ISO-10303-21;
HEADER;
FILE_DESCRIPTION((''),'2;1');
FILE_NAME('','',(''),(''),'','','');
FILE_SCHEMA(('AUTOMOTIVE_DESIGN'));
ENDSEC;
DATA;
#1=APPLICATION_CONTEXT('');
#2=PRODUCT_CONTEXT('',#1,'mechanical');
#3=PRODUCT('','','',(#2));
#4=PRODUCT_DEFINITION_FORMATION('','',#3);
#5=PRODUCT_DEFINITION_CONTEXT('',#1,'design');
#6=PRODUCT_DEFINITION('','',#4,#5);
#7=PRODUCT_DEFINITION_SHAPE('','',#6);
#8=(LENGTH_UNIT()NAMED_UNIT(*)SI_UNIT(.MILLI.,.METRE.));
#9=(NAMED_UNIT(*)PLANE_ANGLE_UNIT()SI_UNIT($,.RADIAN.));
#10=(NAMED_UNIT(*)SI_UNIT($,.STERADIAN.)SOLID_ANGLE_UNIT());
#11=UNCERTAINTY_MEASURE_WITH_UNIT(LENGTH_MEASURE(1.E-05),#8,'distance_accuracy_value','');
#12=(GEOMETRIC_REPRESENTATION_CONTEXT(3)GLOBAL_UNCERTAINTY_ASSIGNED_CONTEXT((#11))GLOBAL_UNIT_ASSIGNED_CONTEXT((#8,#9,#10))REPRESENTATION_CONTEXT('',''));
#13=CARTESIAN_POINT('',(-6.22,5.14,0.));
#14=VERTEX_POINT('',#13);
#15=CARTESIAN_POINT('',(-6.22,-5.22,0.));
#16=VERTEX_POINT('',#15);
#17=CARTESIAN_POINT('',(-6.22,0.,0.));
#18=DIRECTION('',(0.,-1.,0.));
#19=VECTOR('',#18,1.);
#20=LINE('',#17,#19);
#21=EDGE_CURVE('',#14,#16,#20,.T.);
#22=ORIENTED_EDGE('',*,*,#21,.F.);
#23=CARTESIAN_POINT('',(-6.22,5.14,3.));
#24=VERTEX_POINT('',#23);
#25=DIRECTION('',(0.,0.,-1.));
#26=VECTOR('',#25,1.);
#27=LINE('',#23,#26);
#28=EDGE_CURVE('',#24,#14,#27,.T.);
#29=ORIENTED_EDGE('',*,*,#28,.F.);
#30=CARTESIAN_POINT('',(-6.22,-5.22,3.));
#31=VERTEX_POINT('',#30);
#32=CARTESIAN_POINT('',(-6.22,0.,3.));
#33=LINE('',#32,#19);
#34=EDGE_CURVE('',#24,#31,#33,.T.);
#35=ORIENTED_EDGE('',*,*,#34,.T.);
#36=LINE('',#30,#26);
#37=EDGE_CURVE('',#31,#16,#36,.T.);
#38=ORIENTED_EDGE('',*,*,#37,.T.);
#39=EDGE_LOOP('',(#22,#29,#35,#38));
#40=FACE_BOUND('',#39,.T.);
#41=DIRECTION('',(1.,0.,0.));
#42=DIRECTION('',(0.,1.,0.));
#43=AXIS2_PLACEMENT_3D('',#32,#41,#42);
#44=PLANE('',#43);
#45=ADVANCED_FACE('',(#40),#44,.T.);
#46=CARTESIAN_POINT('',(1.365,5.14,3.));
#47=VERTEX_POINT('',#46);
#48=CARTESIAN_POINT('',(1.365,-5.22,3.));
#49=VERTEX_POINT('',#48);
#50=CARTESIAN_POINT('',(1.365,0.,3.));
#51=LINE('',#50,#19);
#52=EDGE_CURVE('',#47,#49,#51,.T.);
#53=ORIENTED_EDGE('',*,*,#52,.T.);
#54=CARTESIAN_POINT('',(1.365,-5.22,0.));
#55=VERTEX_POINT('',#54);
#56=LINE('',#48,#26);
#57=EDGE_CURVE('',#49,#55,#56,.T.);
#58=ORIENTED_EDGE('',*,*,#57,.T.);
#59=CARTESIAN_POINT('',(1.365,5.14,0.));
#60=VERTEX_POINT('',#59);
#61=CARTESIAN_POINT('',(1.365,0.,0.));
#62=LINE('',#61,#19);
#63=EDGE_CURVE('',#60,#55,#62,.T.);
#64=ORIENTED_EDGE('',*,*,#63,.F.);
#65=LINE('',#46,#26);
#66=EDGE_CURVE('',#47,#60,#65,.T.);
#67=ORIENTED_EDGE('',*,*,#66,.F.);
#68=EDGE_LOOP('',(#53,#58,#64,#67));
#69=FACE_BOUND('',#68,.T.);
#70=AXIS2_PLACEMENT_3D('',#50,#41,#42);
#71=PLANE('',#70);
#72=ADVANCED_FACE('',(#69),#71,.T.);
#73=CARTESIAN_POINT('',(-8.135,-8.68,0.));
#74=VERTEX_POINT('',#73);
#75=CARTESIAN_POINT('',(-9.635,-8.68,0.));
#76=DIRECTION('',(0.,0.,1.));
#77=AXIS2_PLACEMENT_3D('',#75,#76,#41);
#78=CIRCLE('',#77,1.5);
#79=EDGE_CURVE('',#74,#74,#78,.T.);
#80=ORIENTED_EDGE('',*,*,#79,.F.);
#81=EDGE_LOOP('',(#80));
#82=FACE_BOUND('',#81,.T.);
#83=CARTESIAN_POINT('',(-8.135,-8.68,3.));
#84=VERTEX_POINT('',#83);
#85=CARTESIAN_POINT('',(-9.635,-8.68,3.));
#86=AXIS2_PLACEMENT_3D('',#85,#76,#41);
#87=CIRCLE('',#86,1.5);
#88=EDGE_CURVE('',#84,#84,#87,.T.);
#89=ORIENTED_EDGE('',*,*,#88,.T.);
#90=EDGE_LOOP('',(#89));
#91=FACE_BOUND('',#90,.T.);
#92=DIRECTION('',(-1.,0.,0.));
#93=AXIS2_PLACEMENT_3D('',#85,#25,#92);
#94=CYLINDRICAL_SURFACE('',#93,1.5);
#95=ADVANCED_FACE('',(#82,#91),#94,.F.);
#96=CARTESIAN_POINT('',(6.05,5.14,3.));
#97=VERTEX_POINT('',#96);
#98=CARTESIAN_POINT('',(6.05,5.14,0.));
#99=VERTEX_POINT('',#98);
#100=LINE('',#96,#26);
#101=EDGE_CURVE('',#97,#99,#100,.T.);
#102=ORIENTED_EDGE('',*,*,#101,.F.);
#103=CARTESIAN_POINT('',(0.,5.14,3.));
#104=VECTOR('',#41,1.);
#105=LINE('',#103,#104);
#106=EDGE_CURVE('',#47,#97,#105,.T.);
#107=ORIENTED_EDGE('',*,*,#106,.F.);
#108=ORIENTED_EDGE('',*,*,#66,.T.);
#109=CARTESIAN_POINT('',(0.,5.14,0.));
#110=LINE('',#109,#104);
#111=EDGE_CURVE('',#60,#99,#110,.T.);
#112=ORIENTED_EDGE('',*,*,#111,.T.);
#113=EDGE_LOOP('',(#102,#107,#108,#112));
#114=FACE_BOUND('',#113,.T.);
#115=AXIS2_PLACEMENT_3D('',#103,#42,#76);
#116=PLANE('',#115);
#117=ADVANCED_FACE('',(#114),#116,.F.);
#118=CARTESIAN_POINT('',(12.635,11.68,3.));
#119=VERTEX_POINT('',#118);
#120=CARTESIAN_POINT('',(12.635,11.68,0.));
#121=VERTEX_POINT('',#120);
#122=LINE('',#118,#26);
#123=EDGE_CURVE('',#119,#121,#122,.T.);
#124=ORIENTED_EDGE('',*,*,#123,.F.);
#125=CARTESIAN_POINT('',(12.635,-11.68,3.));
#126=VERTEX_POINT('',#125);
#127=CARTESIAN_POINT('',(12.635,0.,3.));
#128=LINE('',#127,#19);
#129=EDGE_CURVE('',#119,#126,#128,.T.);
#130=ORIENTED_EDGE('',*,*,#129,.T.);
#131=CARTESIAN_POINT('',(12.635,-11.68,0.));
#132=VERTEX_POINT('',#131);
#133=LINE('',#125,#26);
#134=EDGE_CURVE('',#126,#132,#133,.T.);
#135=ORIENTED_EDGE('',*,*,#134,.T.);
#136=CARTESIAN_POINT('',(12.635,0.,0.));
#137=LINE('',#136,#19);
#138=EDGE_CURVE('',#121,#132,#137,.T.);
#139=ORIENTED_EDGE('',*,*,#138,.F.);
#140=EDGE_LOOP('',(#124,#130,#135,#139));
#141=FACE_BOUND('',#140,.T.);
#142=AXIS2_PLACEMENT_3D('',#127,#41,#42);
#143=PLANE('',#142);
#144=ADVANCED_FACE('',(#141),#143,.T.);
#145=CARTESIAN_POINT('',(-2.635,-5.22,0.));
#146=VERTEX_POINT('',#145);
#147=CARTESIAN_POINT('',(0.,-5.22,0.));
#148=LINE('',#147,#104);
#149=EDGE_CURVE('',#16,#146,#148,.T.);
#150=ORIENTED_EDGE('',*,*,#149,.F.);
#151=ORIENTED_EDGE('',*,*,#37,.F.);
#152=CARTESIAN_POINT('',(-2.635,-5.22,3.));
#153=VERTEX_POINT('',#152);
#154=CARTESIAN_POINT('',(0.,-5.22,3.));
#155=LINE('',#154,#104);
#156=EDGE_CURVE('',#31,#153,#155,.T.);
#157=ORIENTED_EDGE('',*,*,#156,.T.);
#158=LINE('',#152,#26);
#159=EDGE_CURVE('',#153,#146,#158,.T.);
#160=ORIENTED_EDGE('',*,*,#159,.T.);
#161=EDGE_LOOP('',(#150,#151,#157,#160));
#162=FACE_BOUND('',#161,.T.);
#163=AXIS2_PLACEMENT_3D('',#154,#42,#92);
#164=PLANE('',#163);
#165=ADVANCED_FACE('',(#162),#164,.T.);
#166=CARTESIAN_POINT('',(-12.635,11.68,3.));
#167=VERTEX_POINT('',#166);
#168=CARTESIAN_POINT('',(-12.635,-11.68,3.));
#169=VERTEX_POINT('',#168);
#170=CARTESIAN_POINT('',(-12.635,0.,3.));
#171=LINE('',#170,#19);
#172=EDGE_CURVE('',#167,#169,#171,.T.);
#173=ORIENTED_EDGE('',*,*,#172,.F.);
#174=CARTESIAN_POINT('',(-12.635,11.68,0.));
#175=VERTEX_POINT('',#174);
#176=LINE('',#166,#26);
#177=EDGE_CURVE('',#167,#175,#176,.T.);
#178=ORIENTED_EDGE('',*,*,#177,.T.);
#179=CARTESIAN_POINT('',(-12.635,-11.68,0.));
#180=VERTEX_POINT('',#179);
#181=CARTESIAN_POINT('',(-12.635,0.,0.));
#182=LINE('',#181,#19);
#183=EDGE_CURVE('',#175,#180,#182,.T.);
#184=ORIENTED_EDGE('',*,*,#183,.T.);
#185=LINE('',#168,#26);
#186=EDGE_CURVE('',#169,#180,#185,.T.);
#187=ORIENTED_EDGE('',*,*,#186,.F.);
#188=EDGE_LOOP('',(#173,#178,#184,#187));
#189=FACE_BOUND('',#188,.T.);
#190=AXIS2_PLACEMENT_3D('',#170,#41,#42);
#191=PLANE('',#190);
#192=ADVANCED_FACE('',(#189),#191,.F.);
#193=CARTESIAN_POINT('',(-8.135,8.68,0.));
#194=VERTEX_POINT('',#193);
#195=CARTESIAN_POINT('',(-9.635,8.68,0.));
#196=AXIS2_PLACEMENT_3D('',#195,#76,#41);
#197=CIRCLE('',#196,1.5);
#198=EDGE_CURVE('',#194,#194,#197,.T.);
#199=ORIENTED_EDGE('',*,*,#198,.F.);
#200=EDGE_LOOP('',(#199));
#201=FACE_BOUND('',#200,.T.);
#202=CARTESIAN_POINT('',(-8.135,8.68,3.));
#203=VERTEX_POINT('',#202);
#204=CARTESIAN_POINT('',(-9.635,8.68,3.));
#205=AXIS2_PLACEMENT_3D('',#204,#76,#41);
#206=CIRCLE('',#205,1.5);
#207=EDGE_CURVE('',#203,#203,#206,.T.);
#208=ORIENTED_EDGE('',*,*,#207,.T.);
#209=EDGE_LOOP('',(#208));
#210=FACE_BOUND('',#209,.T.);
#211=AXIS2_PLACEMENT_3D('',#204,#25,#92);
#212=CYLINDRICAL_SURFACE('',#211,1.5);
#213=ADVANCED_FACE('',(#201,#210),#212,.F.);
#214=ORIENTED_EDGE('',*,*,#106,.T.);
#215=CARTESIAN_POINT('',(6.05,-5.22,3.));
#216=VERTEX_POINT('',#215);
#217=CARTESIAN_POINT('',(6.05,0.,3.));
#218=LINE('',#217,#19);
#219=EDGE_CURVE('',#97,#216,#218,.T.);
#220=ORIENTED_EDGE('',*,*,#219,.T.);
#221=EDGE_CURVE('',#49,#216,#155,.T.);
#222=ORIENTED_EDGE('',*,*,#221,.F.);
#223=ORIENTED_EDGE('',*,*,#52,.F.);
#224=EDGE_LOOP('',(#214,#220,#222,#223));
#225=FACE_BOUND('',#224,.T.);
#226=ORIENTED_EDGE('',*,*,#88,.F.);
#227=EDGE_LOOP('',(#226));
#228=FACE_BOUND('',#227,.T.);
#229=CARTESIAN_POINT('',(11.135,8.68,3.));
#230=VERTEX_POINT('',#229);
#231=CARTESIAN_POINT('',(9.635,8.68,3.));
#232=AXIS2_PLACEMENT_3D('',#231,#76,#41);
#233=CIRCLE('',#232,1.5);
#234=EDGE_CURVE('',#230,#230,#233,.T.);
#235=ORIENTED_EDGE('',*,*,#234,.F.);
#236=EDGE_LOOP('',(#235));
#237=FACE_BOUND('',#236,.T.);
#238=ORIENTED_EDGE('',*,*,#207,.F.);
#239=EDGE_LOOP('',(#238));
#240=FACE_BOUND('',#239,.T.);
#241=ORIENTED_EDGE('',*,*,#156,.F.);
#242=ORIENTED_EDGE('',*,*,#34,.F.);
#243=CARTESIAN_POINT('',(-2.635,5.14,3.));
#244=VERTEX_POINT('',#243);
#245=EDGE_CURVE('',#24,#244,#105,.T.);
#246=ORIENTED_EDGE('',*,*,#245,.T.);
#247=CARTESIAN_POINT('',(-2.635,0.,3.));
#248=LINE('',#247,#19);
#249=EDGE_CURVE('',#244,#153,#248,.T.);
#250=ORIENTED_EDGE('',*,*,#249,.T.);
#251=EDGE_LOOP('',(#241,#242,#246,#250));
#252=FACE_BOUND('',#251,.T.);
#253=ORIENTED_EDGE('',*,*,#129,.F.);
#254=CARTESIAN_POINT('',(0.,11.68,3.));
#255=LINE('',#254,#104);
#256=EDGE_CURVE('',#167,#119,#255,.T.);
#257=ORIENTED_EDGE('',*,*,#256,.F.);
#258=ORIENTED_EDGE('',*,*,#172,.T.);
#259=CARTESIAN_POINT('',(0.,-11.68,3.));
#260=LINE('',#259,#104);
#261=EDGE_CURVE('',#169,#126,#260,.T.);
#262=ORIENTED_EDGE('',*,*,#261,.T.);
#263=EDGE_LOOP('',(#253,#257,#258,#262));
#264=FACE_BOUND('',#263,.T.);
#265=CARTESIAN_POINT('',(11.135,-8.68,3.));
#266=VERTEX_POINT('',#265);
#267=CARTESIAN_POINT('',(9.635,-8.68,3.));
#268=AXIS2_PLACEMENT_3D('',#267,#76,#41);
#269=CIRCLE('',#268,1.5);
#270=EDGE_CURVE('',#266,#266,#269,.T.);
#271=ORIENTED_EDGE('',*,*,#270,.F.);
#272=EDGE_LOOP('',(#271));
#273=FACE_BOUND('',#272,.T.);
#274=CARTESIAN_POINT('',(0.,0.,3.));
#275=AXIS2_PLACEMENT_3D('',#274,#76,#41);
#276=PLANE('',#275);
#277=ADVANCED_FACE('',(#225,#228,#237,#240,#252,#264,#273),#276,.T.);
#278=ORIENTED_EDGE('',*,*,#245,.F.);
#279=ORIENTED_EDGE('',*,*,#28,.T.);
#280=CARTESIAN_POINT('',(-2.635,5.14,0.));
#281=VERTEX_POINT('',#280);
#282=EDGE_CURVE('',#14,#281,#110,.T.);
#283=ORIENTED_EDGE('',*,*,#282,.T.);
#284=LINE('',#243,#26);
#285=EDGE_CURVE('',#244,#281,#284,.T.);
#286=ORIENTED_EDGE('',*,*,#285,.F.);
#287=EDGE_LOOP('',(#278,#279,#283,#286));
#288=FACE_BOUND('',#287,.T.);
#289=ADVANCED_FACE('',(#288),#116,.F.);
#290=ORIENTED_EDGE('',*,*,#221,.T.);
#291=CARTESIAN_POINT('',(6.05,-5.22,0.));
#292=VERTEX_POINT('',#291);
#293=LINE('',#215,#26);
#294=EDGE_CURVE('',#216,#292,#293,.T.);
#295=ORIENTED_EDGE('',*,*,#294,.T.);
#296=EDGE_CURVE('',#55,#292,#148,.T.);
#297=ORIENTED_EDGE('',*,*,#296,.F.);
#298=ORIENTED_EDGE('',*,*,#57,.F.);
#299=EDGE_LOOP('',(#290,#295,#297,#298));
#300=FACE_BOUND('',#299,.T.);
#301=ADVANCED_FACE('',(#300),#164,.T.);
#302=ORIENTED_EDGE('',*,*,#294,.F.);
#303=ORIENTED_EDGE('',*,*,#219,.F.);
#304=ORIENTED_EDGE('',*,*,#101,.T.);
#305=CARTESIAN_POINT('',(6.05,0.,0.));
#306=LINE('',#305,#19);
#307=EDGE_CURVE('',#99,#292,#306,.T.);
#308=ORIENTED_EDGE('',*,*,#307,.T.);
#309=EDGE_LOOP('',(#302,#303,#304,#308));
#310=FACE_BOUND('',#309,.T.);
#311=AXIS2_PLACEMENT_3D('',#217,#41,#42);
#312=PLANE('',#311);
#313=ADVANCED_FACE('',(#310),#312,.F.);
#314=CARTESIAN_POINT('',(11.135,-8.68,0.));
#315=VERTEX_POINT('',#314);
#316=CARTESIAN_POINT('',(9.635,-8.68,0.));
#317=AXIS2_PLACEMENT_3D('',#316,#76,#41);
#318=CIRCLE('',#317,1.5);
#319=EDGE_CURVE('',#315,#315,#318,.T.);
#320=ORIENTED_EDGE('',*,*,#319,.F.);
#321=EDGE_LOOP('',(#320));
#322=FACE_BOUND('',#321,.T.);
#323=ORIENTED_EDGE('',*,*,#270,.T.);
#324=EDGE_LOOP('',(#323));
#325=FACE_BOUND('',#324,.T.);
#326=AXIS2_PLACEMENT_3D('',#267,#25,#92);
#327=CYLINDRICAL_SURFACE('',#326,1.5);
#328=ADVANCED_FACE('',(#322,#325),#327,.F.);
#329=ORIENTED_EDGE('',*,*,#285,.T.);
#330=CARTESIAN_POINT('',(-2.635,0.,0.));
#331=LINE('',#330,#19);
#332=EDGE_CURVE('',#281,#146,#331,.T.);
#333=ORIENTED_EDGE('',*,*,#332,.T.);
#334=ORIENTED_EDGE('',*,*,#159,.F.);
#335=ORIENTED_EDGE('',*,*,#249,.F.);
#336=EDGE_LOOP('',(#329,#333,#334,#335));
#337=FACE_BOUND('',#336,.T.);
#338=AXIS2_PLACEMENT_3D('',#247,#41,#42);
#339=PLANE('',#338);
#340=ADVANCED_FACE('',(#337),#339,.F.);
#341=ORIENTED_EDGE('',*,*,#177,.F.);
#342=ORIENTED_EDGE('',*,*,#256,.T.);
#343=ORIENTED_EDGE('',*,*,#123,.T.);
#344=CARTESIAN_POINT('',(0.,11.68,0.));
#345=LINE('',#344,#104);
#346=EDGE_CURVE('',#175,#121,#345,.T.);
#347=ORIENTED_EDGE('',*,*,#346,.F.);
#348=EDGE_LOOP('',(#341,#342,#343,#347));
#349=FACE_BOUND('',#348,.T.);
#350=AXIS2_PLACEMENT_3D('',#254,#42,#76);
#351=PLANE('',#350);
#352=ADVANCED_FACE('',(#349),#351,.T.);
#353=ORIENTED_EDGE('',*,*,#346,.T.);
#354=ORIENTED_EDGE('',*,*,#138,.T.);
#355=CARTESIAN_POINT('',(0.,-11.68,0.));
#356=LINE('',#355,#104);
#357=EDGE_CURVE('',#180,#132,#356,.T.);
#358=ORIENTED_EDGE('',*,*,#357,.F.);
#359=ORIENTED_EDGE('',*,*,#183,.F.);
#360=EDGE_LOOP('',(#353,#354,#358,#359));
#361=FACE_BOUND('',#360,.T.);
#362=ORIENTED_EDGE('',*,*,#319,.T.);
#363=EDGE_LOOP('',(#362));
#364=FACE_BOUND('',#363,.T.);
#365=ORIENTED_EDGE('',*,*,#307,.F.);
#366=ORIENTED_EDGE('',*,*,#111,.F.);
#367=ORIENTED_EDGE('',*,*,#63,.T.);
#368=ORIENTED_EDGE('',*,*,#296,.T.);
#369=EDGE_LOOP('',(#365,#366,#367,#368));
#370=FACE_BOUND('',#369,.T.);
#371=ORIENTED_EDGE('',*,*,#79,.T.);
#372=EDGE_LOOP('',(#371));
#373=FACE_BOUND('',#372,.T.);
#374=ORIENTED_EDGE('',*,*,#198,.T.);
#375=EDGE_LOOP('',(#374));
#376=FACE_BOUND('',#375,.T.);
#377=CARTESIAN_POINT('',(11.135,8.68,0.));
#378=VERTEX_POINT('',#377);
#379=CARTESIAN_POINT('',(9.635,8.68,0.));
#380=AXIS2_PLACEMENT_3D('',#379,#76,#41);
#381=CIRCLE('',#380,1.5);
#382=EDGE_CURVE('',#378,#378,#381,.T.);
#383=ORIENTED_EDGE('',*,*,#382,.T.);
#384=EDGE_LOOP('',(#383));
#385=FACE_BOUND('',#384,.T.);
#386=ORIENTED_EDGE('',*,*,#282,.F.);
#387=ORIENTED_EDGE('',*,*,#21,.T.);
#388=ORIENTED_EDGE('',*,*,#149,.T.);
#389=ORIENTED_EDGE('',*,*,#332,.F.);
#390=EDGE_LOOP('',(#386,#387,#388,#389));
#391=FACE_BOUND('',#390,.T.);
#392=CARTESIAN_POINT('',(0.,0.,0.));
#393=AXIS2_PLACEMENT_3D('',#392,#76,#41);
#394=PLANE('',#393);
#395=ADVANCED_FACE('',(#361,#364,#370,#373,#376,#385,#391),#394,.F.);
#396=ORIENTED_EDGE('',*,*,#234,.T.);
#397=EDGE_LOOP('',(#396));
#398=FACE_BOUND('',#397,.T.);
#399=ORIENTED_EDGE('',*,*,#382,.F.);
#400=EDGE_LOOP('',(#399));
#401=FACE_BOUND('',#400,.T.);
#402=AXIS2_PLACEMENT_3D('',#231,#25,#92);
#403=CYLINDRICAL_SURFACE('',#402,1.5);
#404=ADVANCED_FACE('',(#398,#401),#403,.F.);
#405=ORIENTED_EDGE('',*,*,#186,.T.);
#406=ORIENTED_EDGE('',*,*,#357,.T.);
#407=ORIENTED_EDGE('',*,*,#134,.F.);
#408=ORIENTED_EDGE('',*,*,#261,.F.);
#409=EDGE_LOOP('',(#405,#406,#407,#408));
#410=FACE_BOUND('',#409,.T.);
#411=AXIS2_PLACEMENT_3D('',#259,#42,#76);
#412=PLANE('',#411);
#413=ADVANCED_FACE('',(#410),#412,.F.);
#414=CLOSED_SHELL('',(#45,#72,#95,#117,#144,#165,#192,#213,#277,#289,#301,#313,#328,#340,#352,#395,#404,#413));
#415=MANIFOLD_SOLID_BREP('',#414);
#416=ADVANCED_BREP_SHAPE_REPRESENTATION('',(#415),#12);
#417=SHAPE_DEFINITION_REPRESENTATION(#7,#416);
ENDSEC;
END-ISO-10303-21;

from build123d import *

# Parameters (mm, degrees)
SKETCH1_W           = 25.27
SKETCH1_H           = 23.36
SKETCH1_R           = 1.5
SKETCH1_W_2         = 12.27
SKETCH1_H_2         = 10.36
SKETCH1_W_3         = 4
BOSS_EXTRUDE1_DEPTH = 3


with BuildPart() as part:
    # Sketch1 → Boss-Extrude1 (new body)
    # profile 1 of 2: a face of its own
    with BuildSketch(Plane.XY):
        Rectangle(SKETCH1_W, SKETCH1_H)
        with Locations((-9.635, 8.68)):
            Circle(SKETCH1_R, mode=Mode.SUBTRACT)
        with Locations((-9.635, -8.68)):
            Circle(SKETCH1_R, mode=Mode.SUBTRACT)
        with Locations((9.635, -8.68)):
            Circle(SKETCH1_R, mode=Mode.SUBTRACT)
        with Locations((9.635, 8.68)):
            Circle(SKETCH1_R, mode=Mode.SUBTRACT)
        with Locations((-0.085, -0.04)):
            Rectangle(SKETCH1_W_2, SKETCH1_H_2, mode=Mode.SUBTRACT)
    # profile 2 of 2: a face of its own
    with BuildSketch(Plane.XY):
        with Locations((-0.635, -0.04)):
            Rectangle(SKETCH1_W_3, SKETCH1_H_2)
    extrude(amount=BOSS_EXTRUDE1_DEPTH)


solid = part.part
